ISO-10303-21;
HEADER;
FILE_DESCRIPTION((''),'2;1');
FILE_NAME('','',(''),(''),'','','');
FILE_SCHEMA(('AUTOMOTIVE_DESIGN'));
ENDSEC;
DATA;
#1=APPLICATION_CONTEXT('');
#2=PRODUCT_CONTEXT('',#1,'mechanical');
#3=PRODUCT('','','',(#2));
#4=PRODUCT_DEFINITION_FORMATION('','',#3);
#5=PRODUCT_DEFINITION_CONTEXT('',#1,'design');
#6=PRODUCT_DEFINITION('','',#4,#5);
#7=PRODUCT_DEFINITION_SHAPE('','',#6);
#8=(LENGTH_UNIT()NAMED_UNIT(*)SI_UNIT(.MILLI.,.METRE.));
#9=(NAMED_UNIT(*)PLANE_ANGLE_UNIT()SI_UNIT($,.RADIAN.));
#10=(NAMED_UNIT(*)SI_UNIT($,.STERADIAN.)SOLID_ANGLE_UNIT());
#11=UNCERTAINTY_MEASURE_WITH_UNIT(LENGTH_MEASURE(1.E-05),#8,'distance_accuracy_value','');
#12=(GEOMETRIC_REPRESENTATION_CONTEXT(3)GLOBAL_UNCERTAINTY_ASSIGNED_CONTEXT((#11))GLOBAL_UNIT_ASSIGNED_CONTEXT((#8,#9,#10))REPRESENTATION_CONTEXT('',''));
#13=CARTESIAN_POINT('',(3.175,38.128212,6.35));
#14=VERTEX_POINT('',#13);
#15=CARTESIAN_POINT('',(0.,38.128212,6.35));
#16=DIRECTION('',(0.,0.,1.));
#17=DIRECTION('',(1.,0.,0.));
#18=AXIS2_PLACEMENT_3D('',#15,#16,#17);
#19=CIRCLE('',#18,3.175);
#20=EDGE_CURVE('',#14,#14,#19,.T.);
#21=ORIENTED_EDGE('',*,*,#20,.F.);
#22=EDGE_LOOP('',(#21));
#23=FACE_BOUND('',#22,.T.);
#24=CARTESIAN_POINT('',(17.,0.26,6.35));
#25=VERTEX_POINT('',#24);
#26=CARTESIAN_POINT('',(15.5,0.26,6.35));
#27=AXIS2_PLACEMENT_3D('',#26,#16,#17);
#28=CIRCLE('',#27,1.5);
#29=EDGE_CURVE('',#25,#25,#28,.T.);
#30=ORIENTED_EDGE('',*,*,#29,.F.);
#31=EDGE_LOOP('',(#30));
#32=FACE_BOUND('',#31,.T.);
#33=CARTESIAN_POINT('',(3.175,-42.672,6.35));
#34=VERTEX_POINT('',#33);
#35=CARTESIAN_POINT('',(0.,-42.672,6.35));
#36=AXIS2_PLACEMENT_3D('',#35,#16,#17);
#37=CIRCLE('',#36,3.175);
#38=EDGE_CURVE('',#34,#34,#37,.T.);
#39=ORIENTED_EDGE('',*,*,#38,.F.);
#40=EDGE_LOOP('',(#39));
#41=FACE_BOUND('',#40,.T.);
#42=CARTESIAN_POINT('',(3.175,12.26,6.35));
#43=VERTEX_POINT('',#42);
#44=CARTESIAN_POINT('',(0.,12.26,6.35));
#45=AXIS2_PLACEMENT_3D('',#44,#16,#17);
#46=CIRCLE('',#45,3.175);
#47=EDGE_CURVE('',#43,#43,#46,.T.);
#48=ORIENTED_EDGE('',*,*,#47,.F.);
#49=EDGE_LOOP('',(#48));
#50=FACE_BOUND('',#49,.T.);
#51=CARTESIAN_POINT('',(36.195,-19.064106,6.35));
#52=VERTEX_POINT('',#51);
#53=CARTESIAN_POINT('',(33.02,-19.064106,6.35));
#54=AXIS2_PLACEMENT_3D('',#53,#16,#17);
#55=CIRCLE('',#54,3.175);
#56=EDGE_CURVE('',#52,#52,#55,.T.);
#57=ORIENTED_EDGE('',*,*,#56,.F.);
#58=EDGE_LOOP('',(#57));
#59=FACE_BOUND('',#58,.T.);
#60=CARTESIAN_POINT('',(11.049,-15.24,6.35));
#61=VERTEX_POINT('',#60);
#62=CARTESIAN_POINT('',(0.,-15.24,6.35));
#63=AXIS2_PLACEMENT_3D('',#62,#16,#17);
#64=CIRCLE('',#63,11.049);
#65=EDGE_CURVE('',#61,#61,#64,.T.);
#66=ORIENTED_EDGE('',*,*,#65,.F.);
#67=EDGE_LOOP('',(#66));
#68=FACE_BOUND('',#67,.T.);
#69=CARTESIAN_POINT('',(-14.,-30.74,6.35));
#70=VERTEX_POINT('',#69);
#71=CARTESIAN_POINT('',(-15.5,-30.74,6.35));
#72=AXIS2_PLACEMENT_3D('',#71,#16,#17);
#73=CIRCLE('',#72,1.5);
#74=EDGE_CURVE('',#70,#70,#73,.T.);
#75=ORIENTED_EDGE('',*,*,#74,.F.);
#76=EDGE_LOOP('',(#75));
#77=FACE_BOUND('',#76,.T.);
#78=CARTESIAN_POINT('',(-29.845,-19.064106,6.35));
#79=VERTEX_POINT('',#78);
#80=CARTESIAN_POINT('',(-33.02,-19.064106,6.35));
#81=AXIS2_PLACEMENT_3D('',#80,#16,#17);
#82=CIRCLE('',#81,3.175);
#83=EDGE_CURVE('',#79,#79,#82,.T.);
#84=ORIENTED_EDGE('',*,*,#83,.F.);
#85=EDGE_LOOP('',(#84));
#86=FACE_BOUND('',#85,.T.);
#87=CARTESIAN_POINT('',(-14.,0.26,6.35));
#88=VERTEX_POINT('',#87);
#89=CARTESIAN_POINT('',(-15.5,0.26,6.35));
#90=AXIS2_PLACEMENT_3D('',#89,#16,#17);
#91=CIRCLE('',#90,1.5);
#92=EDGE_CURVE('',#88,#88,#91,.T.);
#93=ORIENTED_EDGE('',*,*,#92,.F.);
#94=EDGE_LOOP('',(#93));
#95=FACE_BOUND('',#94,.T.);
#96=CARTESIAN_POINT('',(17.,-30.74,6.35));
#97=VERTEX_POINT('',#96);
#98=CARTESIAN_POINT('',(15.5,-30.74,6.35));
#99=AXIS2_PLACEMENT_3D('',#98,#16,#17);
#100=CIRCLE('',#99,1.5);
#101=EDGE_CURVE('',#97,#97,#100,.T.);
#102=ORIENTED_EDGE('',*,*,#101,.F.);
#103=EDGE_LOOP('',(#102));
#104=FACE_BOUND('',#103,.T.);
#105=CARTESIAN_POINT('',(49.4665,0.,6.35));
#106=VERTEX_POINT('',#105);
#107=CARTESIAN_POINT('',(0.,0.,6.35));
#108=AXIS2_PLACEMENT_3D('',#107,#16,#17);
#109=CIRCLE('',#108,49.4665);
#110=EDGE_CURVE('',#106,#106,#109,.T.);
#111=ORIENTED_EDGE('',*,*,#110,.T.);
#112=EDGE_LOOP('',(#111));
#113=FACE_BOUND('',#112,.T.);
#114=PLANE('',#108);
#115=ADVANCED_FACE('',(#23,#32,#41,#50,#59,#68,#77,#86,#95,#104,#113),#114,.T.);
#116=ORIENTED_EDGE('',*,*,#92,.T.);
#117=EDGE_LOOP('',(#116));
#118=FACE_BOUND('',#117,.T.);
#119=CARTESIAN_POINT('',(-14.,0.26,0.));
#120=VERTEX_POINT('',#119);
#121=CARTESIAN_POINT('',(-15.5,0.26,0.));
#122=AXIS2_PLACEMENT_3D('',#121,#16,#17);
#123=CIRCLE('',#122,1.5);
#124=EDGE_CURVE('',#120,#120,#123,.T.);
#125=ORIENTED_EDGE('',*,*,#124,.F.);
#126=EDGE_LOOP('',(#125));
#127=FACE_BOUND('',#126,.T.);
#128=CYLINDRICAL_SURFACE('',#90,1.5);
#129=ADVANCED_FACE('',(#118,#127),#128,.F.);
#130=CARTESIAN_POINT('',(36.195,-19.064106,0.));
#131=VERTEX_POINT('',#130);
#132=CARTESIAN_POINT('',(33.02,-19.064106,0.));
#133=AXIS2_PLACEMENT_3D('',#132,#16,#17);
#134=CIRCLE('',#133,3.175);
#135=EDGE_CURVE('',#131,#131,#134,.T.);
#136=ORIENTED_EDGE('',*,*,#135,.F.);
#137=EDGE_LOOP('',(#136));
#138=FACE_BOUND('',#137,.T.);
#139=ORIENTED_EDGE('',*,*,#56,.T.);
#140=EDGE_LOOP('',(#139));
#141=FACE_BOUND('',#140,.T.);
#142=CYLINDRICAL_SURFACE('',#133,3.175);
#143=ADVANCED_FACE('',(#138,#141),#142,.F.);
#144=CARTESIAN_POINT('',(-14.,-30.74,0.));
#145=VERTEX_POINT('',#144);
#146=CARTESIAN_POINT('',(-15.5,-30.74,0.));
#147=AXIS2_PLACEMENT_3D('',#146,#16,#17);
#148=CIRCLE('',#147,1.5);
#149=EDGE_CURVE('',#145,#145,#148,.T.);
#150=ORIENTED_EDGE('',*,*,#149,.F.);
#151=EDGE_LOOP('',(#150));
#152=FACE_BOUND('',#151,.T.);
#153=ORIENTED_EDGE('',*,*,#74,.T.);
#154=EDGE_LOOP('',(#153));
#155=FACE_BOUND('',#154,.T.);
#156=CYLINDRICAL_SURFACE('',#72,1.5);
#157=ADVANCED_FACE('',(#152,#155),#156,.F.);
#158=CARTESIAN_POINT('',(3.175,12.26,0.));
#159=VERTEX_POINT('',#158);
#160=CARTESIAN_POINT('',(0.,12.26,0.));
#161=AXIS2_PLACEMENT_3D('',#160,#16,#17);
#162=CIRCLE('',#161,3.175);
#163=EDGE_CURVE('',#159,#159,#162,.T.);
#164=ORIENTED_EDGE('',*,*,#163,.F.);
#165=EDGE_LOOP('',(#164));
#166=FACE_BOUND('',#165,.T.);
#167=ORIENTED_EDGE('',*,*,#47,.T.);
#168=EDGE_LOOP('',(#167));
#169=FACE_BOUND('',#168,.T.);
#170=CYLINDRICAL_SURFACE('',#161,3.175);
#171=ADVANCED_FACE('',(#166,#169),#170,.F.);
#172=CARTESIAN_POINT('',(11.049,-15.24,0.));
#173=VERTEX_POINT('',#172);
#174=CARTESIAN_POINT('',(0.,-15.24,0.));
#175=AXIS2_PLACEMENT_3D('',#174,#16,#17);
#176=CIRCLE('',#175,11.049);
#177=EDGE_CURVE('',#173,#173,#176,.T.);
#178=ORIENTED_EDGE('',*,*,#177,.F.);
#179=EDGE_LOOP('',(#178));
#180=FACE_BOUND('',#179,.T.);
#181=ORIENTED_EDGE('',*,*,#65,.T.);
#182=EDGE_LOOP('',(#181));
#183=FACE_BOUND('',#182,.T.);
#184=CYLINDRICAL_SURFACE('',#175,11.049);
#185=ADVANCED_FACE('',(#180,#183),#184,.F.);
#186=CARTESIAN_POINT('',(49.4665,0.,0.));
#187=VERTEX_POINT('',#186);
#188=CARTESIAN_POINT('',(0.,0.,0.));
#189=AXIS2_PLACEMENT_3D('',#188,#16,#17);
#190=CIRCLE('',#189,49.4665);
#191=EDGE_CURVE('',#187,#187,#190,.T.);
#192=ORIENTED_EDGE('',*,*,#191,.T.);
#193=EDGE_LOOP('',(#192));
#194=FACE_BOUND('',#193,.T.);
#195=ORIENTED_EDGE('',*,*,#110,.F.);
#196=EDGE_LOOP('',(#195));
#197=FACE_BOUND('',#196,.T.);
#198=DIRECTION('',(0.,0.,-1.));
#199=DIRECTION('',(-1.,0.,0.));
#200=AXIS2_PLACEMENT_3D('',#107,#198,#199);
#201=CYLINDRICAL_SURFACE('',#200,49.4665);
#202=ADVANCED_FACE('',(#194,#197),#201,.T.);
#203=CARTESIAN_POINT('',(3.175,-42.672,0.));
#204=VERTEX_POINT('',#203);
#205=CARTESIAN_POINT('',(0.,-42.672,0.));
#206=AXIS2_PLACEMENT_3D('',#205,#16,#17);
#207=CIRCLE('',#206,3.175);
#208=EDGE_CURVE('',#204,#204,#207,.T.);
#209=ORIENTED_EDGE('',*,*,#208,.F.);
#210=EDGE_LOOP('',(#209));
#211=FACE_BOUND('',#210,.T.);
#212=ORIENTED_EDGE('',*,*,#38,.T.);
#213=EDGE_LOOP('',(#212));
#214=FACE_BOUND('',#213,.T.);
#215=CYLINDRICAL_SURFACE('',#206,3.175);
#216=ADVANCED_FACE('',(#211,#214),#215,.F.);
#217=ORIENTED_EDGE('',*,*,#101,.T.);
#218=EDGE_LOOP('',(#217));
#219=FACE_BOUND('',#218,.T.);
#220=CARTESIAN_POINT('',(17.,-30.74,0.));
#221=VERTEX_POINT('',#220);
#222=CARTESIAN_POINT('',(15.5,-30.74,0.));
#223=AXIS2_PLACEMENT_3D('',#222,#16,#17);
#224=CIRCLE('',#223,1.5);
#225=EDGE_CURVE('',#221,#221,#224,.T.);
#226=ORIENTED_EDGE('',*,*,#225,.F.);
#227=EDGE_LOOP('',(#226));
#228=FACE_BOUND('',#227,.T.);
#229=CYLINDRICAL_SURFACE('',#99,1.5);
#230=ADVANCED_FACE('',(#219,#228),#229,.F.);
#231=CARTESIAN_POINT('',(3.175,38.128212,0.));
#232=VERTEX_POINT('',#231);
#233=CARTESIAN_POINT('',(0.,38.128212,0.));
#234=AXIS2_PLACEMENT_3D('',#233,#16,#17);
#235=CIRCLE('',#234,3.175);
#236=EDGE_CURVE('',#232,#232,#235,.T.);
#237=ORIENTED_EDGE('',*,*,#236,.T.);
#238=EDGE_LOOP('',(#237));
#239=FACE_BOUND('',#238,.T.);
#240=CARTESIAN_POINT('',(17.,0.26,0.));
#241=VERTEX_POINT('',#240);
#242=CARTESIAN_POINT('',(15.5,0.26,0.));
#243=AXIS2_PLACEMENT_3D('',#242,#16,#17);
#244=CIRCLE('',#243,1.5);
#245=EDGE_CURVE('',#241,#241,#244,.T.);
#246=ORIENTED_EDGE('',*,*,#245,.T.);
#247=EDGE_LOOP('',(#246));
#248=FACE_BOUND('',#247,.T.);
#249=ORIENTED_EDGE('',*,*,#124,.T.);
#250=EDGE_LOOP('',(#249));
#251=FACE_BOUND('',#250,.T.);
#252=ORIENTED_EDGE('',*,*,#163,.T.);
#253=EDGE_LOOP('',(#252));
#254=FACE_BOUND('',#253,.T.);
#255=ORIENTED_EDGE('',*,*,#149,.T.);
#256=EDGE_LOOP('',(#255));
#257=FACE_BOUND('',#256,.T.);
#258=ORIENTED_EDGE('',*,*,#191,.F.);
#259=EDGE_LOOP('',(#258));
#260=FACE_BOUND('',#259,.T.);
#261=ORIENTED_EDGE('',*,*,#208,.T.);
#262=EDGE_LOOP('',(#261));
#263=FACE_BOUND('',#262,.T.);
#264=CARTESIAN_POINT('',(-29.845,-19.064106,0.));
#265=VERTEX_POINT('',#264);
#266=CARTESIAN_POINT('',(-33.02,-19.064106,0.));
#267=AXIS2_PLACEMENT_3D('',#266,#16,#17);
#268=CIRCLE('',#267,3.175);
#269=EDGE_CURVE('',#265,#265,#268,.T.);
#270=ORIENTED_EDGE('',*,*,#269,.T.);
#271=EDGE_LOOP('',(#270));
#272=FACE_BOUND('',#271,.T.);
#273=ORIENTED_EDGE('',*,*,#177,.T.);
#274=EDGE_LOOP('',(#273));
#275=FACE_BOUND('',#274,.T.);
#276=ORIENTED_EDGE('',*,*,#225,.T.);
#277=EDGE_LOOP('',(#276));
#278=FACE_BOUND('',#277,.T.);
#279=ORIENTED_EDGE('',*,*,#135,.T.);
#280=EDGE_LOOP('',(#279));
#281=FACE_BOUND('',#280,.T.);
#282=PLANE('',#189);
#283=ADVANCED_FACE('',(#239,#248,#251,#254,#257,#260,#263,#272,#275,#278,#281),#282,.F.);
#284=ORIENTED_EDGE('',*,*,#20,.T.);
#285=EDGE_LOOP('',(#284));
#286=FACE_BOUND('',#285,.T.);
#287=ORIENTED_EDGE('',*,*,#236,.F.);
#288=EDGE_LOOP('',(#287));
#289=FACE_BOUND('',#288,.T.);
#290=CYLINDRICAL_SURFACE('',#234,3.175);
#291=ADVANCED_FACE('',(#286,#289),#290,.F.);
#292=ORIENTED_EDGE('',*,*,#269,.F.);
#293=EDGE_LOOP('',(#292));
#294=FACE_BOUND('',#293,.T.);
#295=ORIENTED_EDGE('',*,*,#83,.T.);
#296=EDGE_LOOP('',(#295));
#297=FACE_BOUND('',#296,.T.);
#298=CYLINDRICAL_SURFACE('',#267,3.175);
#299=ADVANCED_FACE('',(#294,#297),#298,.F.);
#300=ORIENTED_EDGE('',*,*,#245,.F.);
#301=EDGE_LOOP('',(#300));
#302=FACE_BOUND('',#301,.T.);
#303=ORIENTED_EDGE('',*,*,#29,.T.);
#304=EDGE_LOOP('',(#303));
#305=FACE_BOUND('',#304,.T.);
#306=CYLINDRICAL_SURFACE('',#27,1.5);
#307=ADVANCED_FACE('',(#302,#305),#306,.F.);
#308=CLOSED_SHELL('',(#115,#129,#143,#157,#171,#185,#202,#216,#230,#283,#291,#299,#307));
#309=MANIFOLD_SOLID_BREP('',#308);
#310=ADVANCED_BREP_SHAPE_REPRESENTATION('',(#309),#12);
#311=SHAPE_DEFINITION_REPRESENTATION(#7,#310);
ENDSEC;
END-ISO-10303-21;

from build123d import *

# Parameters (mm, degrees)
SKETCH1_R             = 49.4665
BOSS_EXTRUDE1_DEPTH   = 6.35
F_3_0MM_DOWEL_HOLE1_D = 3
SKETCH5_R             = 3.175
CUT_EXTRUDE1_DEPTH    = 71.243802179
SKETCH6_R             = 3.175
CUT_EXTRUDE2_DEPTH    = 71.243802179
SKETCH7_R             = 11.049
CUT_EXTRUDE3_DEPTH    = 71.243802179


with BuildPart() as part:
    # Sketch1 → Boss-Extrude1 (new body)
    with BuildSketch(Plane.XY):
        Circle(SKETCH1_R)
    extrude(amount=BOSS_EXTRUDE1_DEPTH)

    # Ø3.0mm Dowel Hole1 (through all)
    with Locations(Plane.XY.offset(6.35)):
        with Locations((15.5, 0.26), (-15.5, 0.26), (-15.5, -30.74), (15.5, -30.74)):
            Hole(F_3_0MM_DOWEL_HOLE1_D / 2)

    # Sketch5 → Cut-Extrude1 (cut, through all)
    with BuildSketch(Plane.XY.offset(6.35)):
        with Locations((0, -42.672)):
            Circle(SKETCH5_R)
        with Locations((0, 12.26)):
            Circle(SKETCH5_R)
    extrude(amount=-CUT_EXTRUDE1_DEPTH, mode=Mode.SUBTRACT)

    # Sketch6 → Cut-Extrude2 (cut, through all)
    with BuildSketch(Plane.XY.offset(6.35)):
        with Locations((0, 38.128211777)):
            Circle(SKETCH6_R)
        with Locations((-33.02, -19.064105889)):
            Circle(SKETCH6_R)
        with Locations((33.02, -19.064105889)):
            Circle(SKETCH6_R)
    extrude(amount=-CUT_EXTRUDE2_DEPTH, mode=Mode.SUBTRACT)

    # Sketch7 → Cut-Extrude3 (cut, through all)
    with BuildSketch(Plane.XY.offset(6.35)):
        with Locations((0, -15.24)):
            Circle(SKETCH7_R)
    extrude(amount=-CUT_EXTRUDE3_DEPTH, mode=Mode.SUBTRACT)


solid = part.part
